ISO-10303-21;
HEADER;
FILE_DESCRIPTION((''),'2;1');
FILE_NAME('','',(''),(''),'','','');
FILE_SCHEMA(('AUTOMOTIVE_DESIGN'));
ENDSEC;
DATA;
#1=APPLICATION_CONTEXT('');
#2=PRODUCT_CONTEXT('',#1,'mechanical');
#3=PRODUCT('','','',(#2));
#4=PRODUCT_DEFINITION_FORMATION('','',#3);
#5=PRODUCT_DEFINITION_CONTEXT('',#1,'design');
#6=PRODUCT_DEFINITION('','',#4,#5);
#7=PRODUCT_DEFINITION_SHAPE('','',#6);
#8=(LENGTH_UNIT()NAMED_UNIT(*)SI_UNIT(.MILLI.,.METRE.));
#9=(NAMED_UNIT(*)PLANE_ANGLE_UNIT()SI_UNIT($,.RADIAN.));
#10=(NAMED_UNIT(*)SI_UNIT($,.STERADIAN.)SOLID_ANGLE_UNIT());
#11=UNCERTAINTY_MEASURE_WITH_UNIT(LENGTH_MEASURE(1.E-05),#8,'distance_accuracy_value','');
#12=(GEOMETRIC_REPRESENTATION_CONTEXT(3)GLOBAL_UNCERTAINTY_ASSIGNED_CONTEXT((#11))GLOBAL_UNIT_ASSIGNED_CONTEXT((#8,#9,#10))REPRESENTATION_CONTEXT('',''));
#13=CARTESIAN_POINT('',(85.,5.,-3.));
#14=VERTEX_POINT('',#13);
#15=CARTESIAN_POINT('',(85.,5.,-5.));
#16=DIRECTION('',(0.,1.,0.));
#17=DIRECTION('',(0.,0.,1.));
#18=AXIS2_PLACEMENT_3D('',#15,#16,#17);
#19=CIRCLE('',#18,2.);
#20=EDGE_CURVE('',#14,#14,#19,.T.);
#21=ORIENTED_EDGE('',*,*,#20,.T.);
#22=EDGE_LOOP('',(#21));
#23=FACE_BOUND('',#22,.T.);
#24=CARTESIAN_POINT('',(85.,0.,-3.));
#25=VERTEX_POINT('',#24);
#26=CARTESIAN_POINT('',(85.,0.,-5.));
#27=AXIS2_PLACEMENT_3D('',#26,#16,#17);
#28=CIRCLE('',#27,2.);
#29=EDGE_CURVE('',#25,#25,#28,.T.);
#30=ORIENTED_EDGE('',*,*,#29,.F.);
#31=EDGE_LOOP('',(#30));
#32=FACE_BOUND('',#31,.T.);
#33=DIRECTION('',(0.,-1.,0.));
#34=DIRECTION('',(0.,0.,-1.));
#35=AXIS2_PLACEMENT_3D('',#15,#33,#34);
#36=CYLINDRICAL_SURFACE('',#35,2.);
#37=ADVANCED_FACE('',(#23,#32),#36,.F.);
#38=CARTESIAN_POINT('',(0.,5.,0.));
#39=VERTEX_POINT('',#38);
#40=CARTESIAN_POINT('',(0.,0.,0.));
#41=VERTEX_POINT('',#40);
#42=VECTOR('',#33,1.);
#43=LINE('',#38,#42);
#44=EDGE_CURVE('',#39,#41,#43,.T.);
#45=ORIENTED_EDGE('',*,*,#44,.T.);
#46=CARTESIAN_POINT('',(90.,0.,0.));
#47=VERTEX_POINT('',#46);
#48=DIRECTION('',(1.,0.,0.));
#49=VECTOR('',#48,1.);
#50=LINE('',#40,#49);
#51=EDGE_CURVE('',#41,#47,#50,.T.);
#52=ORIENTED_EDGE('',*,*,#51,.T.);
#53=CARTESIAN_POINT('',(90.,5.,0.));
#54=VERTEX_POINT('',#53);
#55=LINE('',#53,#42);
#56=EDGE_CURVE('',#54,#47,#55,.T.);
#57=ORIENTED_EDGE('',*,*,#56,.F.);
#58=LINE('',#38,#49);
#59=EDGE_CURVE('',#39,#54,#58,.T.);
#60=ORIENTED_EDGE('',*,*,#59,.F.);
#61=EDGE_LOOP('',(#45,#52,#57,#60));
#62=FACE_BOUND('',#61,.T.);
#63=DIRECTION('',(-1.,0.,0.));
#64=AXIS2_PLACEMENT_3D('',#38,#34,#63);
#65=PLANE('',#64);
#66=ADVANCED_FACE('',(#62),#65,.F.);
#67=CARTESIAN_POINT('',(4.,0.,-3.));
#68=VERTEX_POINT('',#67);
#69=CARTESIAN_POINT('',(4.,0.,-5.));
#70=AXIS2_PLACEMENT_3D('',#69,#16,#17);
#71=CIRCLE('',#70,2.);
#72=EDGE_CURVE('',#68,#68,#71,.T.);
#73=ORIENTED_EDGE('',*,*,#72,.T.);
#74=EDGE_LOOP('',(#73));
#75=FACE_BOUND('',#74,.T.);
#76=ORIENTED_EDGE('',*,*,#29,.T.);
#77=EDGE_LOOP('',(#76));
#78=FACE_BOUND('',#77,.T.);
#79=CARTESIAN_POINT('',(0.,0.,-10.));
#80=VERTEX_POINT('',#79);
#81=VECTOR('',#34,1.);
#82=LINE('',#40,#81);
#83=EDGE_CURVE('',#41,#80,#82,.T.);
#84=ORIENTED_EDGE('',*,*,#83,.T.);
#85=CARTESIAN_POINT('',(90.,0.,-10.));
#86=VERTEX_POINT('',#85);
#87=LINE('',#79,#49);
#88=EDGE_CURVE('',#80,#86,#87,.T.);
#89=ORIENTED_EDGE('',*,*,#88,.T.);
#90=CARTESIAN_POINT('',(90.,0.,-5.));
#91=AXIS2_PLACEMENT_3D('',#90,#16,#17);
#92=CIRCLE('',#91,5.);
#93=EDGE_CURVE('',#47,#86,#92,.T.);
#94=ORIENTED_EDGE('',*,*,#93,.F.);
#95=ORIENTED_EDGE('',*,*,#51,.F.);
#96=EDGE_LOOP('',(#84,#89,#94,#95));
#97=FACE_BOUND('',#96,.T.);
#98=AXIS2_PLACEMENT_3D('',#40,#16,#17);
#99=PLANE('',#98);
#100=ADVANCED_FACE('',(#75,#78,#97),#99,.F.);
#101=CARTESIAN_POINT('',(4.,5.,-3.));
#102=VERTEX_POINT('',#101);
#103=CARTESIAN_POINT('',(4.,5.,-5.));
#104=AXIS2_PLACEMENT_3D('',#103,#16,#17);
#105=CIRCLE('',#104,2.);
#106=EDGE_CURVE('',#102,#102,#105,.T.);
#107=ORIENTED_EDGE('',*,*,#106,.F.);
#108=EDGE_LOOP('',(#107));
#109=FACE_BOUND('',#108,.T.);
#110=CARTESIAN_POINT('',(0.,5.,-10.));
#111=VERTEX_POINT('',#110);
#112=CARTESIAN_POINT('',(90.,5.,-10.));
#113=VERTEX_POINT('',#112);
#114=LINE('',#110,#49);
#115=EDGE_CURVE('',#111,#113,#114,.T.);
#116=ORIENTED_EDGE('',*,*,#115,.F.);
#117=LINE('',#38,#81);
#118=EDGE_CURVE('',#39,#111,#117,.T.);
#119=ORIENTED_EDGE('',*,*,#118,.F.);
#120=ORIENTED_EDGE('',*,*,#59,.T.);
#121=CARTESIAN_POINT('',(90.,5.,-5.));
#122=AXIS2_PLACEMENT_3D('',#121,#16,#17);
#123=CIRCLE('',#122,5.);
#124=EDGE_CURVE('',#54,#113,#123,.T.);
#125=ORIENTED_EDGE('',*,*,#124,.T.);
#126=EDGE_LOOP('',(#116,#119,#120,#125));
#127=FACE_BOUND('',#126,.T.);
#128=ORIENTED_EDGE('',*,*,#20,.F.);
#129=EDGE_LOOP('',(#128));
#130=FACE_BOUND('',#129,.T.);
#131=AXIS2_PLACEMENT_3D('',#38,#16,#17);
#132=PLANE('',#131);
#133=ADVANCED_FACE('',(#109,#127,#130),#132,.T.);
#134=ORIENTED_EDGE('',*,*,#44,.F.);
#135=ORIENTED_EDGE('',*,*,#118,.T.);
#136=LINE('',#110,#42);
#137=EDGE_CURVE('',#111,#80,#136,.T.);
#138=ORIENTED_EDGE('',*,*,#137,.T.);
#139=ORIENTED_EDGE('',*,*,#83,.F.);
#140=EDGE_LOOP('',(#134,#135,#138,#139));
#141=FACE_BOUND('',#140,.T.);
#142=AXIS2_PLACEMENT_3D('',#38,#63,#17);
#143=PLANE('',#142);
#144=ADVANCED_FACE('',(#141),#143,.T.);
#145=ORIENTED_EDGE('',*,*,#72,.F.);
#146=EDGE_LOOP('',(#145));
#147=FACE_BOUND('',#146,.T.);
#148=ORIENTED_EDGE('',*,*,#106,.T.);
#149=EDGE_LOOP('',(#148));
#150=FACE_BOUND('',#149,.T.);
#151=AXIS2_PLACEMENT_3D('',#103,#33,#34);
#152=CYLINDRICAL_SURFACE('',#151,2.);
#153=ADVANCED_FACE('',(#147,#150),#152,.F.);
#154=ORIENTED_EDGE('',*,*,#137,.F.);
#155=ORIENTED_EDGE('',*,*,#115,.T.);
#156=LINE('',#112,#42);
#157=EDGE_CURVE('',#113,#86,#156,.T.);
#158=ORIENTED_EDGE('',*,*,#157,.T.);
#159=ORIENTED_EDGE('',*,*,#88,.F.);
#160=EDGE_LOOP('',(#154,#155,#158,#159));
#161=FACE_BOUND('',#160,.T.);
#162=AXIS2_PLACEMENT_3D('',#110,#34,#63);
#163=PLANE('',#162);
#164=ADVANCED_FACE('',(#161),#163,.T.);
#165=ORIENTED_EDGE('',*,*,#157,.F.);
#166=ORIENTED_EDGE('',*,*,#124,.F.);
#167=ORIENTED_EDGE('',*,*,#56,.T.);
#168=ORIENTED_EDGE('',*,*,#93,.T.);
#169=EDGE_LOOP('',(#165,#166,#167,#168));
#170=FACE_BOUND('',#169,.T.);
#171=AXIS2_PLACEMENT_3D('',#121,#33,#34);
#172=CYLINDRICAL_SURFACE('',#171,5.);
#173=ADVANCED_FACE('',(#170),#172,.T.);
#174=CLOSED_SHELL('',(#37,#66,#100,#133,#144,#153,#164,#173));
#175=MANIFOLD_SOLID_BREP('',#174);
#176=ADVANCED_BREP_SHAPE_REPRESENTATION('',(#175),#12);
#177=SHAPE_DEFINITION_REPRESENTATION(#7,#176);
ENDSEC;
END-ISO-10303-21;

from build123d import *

# Parameters (mm, degrees)
SKETCH1_R           = 2
BOSS_EXTRUDE1_DEPTH = 5


with BuildPart() as part:
    # Sketch1 → Boss-Extrude1 (new body)
    with BuildSketch(Plane(origin=(0, 0, 0), x_dir=(1, 0, 0), z_dir=(0, 1, 0))):
        with BuildLine():
            Line((0, 5), (0, 0))
            Line((0, 0), (90, 0))
            ThreePointArc((90, 0), (95, 5), (90, 10))
            Line((90, 10), (0, 10))
            Line((0, 10), (0, 5))
        make_face()
        with Locations(Location((4, 5, 0), (0, 0, 270))):
            Circle(SKETCH1_R, mode=Mode.SUBTRACT)
        with Locations(Location((85, 5, 0), (0, 0, 270))):
            Circle(SKETCH1_R, mode=Mode.SUBTRACT)
    extrude(amount=BOSS_EXTRUDE1_DEPTH)


solid = part.part
